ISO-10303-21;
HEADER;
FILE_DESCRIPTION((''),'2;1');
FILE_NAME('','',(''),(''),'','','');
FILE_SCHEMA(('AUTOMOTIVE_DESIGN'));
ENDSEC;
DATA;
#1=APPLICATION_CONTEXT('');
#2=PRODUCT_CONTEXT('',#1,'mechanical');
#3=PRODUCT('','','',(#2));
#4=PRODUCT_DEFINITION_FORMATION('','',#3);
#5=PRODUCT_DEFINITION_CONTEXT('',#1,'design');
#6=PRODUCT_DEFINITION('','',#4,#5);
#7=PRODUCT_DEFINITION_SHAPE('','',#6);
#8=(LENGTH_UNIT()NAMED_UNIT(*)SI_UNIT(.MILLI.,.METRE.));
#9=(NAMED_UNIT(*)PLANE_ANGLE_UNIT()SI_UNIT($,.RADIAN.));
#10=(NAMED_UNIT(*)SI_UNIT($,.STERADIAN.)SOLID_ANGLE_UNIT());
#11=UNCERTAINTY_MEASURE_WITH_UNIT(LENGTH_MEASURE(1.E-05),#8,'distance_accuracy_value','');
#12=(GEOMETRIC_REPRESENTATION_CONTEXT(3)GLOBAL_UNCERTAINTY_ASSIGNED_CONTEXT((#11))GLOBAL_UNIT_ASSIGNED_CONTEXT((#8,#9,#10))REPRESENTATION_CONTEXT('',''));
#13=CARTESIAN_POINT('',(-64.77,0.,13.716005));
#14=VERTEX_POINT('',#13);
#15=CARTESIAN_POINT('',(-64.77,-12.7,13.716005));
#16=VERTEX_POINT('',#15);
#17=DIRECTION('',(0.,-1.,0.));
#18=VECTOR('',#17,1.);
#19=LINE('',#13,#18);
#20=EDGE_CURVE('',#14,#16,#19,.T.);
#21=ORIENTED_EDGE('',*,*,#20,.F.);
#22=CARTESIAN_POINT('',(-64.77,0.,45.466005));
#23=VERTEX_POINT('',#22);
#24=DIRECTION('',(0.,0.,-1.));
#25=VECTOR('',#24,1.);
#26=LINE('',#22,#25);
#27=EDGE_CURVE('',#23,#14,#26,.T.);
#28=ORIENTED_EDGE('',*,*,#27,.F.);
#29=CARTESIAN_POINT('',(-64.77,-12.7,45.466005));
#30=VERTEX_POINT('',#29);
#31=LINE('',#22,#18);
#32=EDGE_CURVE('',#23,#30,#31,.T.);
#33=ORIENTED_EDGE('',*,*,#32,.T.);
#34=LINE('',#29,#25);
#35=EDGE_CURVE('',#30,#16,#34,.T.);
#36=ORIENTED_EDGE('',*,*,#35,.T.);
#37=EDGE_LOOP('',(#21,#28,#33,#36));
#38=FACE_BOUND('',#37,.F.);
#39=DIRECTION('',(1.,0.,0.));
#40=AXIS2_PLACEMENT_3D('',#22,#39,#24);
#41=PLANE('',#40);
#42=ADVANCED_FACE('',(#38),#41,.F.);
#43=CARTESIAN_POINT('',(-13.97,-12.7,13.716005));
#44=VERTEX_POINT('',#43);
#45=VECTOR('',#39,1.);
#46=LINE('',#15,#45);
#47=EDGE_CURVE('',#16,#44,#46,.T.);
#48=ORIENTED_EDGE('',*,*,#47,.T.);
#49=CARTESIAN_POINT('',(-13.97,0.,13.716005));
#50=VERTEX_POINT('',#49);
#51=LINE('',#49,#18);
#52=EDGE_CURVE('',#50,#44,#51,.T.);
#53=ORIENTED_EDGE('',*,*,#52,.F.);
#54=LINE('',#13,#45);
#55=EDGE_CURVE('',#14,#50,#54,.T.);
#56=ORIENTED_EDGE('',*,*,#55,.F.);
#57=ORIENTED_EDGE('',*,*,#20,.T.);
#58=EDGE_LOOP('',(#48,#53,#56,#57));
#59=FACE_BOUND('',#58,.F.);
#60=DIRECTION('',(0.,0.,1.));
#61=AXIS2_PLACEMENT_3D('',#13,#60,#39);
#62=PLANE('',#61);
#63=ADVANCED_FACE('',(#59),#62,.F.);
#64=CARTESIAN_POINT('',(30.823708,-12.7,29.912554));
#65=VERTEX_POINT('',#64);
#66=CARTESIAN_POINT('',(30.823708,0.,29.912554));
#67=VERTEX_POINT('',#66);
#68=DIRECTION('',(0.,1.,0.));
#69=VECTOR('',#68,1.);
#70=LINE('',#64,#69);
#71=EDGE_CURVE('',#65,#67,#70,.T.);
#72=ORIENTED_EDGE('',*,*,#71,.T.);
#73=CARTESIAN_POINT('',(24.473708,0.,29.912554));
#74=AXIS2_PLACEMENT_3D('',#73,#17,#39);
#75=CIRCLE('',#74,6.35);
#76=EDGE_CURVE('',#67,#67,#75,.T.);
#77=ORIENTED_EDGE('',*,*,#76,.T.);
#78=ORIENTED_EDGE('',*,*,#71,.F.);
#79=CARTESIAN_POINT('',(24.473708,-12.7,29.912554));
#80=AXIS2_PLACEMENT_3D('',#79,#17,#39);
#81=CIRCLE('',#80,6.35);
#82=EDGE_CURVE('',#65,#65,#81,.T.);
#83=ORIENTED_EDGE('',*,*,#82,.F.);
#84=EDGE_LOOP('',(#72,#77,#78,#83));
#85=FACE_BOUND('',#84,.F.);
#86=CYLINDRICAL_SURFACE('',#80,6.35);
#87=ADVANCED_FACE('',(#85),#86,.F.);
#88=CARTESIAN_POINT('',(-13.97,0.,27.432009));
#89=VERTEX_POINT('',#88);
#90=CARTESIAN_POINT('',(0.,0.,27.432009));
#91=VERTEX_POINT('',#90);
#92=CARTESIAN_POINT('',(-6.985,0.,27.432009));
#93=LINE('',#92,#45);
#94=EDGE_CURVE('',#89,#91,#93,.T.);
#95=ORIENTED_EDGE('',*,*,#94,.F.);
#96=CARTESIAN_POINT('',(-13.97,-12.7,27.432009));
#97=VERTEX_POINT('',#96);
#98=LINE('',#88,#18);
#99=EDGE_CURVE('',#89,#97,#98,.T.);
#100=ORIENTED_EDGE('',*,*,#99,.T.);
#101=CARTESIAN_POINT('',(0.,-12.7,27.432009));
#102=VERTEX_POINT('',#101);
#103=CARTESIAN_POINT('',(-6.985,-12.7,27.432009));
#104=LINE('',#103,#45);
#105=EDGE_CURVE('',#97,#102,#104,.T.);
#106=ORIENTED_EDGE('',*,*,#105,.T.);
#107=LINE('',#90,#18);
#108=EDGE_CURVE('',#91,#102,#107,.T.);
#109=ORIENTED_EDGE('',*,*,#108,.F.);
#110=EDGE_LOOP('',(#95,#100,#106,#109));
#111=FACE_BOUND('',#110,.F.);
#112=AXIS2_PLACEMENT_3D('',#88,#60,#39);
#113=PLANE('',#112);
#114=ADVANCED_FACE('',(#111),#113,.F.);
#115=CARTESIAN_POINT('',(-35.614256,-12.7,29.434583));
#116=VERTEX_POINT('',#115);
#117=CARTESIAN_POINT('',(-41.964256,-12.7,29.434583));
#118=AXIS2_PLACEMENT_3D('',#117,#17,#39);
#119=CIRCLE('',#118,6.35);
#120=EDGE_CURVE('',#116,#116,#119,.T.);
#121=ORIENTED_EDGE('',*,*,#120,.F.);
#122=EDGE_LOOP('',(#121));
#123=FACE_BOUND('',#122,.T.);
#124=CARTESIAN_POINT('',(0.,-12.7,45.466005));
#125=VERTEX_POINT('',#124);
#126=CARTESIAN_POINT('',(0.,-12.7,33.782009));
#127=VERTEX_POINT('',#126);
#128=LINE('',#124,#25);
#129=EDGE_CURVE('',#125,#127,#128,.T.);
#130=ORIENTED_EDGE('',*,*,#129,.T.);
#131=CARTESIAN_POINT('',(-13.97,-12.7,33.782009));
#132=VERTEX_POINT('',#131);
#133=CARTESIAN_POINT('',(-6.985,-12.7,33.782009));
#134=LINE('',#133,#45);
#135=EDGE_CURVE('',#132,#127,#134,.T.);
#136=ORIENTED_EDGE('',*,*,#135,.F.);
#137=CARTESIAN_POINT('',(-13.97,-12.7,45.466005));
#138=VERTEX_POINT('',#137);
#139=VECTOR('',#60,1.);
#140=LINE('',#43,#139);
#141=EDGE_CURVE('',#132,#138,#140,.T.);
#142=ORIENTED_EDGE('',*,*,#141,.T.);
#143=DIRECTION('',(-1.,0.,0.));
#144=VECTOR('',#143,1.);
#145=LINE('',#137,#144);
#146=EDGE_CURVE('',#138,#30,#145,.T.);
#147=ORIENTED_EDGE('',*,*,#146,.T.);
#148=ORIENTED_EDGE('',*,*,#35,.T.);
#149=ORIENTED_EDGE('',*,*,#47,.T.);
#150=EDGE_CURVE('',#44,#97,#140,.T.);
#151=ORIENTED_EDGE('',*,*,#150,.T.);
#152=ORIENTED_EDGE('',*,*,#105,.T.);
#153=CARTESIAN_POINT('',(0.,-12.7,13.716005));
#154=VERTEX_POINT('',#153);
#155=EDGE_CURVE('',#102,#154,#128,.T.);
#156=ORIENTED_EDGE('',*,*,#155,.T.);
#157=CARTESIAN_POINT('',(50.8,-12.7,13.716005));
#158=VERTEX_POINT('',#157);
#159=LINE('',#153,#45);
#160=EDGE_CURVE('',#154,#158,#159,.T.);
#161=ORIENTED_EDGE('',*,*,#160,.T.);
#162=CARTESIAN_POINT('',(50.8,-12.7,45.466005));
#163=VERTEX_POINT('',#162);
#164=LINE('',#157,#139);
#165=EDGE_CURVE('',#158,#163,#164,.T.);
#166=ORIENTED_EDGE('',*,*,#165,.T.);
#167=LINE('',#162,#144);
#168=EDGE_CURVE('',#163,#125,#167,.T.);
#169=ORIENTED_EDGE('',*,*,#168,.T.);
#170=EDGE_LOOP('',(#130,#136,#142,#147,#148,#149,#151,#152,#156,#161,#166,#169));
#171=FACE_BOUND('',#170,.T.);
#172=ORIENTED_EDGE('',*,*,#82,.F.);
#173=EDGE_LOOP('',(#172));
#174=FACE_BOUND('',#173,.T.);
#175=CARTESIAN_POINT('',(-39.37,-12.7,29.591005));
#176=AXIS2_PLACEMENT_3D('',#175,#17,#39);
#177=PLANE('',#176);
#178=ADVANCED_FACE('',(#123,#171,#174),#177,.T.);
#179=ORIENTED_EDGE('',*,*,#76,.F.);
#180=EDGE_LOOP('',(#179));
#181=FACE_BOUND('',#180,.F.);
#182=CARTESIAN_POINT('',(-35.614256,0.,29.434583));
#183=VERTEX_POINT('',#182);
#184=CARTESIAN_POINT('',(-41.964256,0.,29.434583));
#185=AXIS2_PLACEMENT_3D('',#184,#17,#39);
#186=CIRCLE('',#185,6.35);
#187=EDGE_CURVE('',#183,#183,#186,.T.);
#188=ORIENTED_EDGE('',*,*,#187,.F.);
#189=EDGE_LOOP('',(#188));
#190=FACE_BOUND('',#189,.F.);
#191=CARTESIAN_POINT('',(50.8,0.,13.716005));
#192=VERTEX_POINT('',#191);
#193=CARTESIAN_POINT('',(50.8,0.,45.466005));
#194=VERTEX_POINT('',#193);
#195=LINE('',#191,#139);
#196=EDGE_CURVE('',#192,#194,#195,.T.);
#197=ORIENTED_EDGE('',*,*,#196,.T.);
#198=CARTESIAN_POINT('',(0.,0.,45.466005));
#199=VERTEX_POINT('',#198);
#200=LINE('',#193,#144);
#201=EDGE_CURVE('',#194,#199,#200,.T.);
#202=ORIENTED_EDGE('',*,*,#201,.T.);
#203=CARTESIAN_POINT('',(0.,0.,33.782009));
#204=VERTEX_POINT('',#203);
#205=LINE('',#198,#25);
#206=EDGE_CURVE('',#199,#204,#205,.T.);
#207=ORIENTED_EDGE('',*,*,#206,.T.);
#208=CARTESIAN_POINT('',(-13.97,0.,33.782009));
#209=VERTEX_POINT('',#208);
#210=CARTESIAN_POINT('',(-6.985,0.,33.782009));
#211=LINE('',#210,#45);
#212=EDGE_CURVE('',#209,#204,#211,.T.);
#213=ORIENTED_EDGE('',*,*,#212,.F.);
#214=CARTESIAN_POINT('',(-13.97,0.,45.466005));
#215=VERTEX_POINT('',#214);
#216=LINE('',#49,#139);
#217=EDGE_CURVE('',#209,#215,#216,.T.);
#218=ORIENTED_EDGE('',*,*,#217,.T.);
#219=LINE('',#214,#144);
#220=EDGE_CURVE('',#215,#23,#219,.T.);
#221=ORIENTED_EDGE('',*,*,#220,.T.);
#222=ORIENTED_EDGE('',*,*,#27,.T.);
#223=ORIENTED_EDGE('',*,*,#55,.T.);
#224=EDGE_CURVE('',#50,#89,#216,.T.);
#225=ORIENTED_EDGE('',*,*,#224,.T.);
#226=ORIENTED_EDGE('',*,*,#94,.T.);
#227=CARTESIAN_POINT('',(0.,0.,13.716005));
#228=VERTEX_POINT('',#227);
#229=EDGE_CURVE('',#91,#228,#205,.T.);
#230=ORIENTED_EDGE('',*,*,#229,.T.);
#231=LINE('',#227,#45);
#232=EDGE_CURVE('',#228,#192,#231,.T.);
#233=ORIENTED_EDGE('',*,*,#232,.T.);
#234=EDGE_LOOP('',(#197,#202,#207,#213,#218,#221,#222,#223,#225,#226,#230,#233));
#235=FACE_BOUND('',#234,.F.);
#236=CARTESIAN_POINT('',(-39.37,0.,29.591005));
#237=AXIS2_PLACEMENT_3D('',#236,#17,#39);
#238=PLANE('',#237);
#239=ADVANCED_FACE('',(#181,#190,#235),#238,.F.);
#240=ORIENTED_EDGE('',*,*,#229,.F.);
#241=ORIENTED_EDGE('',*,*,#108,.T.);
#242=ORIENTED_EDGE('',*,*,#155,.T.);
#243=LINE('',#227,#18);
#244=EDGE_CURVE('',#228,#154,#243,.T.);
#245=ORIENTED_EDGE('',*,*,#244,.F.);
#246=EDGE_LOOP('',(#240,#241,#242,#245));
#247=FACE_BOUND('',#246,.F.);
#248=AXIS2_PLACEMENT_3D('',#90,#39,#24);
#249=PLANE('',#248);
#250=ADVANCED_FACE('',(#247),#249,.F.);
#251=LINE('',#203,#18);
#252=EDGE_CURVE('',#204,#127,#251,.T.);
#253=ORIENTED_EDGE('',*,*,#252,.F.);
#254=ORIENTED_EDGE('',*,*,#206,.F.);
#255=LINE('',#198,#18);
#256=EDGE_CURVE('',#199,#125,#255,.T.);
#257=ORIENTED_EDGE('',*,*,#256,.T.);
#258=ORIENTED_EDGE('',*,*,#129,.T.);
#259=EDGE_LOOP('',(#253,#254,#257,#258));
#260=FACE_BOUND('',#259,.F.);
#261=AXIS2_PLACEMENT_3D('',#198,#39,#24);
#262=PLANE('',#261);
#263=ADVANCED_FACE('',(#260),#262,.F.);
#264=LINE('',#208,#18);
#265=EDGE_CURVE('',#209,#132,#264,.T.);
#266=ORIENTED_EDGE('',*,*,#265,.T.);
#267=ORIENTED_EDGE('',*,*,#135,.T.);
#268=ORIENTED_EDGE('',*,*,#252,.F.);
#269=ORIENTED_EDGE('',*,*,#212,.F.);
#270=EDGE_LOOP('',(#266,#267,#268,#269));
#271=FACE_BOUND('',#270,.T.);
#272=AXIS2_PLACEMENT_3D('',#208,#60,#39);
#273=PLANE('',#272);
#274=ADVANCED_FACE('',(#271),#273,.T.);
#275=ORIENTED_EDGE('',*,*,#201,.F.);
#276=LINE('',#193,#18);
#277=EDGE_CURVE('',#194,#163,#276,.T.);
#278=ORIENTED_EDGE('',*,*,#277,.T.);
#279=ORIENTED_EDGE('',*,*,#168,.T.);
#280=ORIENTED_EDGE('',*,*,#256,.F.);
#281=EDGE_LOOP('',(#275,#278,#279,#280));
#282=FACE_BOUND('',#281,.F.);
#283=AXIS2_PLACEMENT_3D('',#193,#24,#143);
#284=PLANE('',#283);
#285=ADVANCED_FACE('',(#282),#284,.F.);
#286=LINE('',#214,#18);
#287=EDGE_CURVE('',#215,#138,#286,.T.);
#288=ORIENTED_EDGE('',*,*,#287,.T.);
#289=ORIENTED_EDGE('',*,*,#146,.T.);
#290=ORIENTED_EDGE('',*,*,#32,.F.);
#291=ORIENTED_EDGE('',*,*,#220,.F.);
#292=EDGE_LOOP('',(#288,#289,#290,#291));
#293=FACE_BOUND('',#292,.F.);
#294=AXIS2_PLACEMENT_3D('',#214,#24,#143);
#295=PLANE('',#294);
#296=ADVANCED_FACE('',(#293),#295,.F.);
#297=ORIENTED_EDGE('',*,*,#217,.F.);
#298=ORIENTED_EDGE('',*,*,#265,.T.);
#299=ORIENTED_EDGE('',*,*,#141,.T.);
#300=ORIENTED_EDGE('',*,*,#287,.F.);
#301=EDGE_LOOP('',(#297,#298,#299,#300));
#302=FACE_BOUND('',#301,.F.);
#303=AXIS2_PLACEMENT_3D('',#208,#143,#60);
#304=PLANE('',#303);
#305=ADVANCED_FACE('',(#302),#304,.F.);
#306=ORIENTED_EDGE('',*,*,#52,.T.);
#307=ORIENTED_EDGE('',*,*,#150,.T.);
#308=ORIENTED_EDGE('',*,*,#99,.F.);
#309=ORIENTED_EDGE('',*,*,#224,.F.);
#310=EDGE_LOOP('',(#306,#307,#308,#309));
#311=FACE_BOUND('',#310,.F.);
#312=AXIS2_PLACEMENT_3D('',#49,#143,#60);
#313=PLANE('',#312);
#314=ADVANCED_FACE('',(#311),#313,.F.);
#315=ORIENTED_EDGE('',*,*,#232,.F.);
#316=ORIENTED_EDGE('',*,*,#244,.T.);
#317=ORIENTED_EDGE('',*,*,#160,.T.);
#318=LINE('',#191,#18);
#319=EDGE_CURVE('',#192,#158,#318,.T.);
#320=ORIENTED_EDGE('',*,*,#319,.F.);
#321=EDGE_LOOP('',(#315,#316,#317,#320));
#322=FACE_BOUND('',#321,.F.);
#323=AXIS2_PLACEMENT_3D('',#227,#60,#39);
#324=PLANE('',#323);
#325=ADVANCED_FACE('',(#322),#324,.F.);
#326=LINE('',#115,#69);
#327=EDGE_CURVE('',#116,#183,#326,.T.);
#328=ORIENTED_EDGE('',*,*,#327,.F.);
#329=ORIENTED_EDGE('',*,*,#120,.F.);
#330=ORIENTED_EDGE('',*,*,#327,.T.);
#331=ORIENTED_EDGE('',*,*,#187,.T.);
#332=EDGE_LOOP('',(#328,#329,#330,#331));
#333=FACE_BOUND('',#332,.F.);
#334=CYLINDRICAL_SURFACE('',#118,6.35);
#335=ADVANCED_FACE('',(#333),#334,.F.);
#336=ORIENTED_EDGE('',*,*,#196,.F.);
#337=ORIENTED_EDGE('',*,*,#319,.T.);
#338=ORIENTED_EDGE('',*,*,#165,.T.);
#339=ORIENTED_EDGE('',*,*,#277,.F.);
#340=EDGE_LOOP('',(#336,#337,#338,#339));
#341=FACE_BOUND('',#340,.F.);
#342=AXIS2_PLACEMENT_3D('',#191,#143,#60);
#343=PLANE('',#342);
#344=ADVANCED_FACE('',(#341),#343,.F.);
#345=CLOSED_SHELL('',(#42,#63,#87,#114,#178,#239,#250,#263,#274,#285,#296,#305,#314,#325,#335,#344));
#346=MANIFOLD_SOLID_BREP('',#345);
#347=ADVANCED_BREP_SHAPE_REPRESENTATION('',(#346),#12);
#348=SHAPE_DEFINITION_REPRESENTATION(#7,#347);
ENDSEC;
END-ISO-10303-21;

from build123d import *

# Parameters (mm, degrees)
F0_W     = 13.97
F0_H     = 6.35
F1_DEPTH = 12.7
F2_R     = 6.35
F3_DEPTH = 25.4


with BuildPart() as f1:
    # F0 (on Front) → F1 (new body)
    with BuildSketch(Plane.XZ):
        Polygon((-13.97, 27.432009), (-13.97, 33.782009), (-13.97, 45.466005), (-64.77, 45.466005), (-64.77, 34.602262), (-64.77, 25.704423), (-64.77, 13.716005), (-13.97, 13.716005), align=None)
        Polygon((0, 45.466005), (0, 33.782009), (0, 27.432009), (0, 13.716005), (50.8, 13.716005), (50.8, 29.591005), (50.8, 35.010789), (50.8, 45.466005), align=None)
        with Locations((-6.985, 30.607009)):
            Rectangle(F0_W, F0_H)
    extrude(amount=F1_DEPTH)

    # F2 (on face) → F3 (cut)
    with BuildSketch(Plane.XZ.offset(12.7)):
        with Locations((-41.964256, 29.434583)):
            Circle(F2_R)
        with Locations((24.473708, 29.912554)):
            Circle(F2_R)
    extrude(amount=-F3_DEPTH, mode=Mode.SUBTRACT)


solid = f1.part
